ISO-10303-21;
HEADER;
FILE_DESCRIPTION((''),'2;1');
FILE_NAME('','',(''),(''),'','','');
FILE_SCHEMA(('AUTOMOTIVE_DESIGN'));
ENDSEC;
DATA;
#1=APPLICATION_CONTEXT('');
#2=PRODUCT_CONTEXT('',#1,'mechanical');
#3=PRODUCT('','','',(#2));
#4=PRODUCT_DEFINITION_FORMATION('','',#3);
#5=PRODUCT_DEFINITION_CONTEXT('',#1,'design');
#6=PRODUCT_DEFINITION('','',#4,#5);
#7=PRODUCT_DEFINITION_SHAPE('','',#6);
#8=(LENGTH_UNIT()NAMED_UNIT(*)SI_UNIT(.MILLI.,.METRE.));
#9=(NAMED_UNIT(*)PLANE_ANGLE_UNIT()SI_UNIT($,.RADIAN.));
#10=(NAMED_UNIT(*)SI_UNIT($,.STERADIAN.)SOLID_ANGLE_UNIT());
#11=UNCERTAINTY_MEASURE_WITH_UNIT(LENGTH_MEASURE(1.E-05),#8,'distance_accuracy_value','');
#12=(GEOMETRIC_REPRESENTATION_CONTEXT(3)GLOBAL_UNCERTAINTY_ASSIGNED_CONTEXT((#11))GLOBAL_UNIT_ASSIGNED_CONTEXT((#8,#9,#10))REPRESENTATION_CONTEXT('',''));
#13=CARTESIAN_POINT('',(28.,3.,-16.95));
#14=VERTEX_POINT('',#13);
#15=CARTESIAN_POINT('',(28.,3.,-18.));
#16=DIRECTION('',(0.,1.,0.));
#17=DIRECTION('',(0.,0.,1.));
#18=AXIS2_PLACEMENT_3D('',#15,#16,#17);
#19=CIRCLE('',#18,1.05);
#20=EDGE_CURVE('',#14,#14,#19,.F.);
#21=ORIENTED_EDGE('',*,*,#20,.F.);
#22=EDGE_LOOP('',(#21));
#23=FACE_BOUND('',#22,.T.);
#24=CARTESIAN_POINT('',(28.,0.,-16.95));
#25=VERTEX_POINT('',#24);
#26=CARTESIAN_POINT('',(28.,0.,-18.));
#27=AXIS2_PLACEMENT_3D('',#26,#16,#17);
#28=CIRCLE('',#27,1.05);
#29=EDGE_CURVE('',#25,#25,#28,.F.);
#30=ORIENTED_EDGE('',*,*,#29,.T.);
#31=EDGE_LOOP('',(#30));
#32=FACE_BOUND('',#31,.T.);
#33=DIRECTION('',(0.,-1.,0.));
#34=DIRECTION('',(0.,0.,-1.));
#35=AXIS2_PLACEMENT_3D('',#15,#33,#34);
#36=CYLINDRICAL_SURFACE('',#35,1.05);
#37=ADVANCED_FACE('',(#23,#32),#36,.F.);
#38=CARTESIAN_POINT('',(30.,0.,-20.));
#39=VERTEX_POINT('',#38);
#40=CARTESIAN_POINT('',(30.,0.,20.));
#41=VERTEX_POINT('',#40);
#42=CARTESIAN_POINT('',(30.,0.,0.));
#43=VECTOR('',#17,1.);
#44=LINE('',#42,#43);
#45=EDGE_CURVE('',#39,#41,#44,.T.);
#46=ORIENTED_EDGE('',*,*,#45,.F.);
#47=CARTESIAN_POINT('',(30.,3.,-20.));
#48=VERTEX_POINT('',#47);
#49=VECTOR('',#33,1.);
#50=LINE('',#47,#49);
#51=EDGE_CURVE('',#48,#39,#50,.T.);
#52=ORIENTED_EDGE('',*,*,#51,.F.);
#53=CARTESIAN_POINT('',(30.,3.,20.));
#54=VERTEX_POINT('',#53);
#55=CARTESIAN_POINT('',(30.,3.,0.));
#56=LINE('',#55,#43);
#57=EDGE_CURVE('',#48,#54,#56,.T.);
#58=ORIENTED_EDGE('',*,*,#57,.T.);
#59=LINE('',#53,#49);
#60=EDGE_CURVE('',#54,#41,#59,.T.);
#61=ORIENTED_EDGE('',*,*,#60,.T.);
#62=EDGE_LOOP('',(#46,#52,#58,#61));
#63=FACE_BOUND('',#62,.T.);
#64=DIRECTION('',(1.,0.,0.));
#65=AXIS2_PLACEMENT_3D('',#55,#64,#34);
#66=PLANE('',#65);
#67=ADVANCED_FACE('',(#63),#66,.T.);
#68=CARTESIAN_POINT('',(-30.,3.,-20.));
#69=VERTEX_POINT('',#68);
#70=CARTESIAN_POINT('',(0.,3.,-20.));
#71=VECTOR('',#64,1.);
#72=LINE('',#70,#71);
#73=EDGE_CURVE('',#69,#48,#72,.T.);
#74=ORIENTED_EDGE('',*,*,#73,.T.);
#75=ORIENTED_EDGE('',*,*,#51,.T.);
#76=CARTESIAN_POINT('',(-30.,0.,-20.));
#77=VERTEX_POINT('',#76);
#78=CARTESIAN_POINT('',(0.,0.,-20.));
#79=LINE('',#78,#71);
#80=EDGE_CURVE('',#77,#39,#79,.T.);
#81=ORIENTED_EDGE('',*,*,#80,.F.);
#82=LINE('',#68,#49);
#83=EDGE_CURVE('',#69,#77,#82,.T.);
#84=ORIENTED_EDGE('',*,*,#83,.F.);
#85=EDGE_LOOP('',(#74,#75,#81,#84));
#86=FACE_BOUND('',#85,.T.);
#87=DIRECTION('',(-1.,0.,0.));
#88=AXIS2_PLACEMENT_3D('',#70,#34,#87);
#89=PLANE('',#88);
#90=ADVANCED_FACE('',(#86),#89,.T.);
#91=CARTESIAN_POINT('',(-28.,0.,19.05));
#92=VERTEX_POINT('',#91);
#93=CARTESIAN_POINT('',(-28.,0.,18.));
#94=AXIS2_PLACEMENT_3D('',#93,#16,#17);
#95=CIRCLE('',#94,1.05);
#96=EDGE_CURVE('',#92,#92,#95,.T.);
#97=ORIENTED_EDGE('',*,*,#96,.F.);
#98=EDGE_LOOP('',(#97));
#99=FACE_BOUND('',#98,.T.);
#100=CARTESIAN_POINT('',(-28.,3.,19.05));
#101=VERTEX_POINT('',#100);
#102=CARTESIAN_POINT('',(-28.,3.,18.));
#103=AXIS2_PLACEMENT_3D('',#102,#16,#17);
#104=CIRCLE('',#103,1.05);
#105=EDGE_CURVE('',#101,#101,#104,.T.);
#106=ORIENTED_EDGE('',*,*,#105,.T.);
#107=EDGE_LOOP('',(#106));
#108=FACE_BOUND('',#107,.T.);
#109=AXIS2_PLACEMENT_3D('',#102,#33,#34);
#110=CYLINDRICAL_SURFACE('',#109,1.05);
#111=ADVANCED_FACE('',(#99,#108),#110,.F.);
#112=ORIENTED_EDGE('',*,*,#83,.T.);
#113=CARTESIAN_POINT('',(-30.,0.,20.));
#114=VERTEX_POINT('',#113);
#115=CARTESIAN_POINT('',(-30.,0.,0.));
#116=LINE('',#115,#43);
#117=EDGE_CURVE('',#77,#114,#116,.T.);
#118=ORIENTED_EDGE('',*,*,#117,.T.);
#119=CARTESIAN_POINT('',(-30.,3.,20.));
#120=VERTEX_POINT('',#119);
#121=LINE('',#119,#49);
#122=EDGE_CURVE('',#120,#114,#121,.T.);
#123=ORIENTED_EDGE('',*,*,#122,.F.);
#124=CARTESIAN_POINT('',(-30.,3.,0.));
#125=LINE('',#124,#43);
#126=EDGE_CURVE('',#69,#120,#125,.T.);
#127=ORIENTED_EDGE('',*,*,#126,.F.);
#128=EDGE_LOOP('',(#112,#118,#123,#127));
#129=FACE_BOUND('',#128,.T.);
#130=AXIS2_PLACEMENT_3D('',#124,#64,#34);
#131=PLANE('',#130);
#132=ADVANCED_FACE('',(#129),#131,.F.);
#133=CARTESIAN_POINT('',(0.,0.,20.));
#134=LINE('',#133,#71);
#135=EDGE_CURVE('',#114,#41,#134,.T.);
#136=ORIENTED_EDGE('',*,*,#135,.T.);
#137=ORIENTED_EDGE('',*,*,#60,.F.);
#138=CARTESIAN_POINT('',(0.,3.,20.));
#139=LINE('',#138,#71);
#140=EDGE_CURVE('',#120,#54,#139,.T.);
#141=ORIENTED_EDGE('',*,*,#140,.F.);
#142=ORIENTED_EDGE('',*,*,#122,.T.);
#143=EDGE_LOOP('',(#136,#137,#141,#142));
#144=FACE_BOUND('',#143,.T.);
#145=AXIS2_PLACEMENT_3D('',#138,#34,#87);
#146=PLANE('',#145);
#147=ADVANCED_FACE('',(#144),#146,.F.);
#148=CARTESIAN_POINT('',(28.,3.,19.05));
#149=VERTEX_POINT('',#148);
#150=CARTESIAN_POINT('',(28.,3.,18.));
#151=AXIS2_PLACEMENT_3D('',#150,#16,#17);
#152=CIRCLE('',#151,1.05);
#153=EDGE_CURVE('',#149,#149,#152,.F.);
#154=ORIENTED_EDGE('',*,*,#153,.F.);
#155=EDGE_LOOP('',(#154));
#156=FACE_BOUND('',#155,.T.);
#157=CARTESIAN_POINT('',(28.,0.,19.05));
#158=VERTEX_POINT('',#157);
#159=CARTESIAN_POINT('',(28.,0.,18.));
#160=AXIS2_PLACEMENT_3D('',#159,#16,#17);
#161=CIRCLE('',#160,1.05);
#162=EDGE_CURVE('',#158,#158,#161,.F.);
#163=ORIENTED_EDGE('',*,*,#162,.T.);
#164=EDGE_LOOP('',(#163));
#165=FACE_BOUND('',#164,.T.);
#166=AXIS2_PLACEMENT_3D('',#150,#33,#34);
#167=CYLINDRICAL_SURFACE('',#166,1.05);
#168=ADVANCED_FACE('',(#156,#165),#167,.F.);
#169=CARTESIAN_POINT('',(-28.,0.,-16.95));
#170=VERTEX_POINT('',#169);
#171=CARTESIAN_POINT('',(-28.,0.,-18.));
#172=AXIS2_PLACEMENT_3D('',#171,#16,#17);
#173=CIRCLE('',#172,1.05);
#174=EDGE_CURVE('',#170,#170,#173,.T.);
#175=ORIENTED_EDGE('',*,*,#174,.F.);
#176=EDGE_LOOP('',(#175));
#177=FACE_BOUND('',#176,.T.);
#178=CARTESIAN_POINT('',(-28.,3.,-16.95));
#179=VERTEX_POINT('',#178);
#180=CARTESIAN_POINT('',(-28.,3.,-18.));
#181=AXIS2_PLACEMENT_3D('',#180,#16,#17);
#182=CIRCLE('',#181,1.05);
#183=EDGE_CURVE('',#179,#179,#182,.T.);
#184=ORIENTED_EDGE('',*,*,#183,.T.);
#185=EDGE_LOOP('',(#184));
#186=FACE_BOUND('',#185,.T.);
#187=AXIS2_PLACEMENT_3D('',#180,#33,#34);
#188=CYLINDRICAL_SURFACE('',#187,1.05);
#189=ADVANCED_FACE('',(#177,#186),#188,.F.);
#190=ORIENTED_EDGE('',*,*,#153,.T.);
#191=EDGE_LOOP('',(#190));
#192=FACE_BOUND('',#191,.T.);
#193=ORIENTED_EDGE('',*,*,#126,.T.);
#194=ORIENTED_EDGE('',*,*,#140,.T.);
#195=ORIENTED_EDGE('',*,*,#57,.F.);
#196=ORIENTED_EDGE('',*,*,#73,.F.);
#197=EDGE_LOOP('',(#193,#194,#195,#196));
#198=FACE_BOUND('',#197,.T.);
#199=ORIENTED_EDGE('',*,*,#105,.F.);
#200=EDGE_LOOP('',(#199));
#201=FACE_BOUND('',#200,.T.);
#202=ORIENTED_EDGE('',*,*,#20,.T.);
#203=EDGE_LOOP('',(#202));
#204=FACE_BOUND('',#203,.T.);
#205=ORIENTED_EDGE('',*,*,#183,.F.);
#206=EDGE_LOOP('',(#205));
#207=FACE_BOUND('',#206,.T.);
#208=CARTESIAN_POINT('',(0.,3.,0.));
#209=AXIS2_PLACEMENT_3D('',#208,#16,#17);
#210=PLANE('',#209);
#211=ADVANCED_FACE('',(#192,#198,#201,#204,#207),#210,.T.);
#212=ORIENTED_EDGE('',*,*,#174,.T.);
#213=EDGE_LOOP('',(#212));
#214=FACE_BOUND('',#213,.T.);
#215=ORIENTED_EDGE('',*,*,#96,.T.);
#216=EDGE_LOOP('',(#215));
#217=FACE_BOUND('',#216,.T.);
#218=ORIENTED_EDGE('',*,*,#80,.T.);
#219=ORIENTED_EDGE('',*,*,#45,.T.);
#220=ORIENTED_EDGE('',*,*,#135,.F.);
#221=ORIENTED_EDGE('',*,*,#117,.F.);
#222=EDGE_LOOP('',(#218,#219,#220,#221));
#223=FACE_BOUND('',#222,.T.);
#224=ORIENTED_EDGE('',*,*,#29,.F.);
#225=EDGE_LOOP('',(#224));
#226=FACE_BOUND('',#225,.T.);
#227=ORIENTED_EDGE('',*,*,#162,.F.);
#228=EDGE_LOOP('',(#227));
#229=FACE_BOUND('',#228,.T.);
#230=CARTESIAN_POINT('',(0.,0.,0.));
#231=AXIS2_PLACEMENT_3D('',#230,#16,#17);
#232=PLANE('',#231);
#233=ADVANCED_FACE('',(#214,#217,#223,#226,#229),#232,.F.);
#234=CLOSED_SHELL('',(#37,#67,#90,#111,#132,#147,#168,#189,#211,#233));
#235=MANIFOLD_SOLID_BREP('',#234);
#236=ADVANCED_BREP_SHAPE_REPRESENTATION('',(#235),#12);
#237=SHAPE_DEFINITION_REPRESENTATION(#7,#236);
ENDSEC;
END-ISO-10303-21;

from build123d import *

# Parameters (mm, degrees)
CROQUIS1_W              = 60
CROQUIS1_H              = 40
CROQUIS1_R              = 1.05
SALIENTE_EXTRUIR1_DEPTH = 3


with BuildPart() as part:
    # Croquis1 → Saliente-Extruir1 (new body)
    with BuildSketch(Plane(origin=(0, 0, 0), x_dir=(1, 0, 0), z_dir=(0, 1, 0))):
        Rectangle(CROQUIS1_W, CROQUIS1_H)
        with Locations((-28, 18)):
            Circle(CROQUIS1_R, mode=Mode.SUBTRACT)
        with Locations((-28, -18)):
            Circle(CROQUIS1_R, mode=Mode.SUBTRACT)
        with Locations((28, -18)):
            Circle(CROQUIS1_R, mode=Mode.SUBTRACT)
        with Locations((28, 18)):
            Circle(CROQUIS1_R, mode=Mode.SUBTRACT)
    extrude(amount=SALIENTE_EXTRUIR1_DEPTH)


solid = part.part
